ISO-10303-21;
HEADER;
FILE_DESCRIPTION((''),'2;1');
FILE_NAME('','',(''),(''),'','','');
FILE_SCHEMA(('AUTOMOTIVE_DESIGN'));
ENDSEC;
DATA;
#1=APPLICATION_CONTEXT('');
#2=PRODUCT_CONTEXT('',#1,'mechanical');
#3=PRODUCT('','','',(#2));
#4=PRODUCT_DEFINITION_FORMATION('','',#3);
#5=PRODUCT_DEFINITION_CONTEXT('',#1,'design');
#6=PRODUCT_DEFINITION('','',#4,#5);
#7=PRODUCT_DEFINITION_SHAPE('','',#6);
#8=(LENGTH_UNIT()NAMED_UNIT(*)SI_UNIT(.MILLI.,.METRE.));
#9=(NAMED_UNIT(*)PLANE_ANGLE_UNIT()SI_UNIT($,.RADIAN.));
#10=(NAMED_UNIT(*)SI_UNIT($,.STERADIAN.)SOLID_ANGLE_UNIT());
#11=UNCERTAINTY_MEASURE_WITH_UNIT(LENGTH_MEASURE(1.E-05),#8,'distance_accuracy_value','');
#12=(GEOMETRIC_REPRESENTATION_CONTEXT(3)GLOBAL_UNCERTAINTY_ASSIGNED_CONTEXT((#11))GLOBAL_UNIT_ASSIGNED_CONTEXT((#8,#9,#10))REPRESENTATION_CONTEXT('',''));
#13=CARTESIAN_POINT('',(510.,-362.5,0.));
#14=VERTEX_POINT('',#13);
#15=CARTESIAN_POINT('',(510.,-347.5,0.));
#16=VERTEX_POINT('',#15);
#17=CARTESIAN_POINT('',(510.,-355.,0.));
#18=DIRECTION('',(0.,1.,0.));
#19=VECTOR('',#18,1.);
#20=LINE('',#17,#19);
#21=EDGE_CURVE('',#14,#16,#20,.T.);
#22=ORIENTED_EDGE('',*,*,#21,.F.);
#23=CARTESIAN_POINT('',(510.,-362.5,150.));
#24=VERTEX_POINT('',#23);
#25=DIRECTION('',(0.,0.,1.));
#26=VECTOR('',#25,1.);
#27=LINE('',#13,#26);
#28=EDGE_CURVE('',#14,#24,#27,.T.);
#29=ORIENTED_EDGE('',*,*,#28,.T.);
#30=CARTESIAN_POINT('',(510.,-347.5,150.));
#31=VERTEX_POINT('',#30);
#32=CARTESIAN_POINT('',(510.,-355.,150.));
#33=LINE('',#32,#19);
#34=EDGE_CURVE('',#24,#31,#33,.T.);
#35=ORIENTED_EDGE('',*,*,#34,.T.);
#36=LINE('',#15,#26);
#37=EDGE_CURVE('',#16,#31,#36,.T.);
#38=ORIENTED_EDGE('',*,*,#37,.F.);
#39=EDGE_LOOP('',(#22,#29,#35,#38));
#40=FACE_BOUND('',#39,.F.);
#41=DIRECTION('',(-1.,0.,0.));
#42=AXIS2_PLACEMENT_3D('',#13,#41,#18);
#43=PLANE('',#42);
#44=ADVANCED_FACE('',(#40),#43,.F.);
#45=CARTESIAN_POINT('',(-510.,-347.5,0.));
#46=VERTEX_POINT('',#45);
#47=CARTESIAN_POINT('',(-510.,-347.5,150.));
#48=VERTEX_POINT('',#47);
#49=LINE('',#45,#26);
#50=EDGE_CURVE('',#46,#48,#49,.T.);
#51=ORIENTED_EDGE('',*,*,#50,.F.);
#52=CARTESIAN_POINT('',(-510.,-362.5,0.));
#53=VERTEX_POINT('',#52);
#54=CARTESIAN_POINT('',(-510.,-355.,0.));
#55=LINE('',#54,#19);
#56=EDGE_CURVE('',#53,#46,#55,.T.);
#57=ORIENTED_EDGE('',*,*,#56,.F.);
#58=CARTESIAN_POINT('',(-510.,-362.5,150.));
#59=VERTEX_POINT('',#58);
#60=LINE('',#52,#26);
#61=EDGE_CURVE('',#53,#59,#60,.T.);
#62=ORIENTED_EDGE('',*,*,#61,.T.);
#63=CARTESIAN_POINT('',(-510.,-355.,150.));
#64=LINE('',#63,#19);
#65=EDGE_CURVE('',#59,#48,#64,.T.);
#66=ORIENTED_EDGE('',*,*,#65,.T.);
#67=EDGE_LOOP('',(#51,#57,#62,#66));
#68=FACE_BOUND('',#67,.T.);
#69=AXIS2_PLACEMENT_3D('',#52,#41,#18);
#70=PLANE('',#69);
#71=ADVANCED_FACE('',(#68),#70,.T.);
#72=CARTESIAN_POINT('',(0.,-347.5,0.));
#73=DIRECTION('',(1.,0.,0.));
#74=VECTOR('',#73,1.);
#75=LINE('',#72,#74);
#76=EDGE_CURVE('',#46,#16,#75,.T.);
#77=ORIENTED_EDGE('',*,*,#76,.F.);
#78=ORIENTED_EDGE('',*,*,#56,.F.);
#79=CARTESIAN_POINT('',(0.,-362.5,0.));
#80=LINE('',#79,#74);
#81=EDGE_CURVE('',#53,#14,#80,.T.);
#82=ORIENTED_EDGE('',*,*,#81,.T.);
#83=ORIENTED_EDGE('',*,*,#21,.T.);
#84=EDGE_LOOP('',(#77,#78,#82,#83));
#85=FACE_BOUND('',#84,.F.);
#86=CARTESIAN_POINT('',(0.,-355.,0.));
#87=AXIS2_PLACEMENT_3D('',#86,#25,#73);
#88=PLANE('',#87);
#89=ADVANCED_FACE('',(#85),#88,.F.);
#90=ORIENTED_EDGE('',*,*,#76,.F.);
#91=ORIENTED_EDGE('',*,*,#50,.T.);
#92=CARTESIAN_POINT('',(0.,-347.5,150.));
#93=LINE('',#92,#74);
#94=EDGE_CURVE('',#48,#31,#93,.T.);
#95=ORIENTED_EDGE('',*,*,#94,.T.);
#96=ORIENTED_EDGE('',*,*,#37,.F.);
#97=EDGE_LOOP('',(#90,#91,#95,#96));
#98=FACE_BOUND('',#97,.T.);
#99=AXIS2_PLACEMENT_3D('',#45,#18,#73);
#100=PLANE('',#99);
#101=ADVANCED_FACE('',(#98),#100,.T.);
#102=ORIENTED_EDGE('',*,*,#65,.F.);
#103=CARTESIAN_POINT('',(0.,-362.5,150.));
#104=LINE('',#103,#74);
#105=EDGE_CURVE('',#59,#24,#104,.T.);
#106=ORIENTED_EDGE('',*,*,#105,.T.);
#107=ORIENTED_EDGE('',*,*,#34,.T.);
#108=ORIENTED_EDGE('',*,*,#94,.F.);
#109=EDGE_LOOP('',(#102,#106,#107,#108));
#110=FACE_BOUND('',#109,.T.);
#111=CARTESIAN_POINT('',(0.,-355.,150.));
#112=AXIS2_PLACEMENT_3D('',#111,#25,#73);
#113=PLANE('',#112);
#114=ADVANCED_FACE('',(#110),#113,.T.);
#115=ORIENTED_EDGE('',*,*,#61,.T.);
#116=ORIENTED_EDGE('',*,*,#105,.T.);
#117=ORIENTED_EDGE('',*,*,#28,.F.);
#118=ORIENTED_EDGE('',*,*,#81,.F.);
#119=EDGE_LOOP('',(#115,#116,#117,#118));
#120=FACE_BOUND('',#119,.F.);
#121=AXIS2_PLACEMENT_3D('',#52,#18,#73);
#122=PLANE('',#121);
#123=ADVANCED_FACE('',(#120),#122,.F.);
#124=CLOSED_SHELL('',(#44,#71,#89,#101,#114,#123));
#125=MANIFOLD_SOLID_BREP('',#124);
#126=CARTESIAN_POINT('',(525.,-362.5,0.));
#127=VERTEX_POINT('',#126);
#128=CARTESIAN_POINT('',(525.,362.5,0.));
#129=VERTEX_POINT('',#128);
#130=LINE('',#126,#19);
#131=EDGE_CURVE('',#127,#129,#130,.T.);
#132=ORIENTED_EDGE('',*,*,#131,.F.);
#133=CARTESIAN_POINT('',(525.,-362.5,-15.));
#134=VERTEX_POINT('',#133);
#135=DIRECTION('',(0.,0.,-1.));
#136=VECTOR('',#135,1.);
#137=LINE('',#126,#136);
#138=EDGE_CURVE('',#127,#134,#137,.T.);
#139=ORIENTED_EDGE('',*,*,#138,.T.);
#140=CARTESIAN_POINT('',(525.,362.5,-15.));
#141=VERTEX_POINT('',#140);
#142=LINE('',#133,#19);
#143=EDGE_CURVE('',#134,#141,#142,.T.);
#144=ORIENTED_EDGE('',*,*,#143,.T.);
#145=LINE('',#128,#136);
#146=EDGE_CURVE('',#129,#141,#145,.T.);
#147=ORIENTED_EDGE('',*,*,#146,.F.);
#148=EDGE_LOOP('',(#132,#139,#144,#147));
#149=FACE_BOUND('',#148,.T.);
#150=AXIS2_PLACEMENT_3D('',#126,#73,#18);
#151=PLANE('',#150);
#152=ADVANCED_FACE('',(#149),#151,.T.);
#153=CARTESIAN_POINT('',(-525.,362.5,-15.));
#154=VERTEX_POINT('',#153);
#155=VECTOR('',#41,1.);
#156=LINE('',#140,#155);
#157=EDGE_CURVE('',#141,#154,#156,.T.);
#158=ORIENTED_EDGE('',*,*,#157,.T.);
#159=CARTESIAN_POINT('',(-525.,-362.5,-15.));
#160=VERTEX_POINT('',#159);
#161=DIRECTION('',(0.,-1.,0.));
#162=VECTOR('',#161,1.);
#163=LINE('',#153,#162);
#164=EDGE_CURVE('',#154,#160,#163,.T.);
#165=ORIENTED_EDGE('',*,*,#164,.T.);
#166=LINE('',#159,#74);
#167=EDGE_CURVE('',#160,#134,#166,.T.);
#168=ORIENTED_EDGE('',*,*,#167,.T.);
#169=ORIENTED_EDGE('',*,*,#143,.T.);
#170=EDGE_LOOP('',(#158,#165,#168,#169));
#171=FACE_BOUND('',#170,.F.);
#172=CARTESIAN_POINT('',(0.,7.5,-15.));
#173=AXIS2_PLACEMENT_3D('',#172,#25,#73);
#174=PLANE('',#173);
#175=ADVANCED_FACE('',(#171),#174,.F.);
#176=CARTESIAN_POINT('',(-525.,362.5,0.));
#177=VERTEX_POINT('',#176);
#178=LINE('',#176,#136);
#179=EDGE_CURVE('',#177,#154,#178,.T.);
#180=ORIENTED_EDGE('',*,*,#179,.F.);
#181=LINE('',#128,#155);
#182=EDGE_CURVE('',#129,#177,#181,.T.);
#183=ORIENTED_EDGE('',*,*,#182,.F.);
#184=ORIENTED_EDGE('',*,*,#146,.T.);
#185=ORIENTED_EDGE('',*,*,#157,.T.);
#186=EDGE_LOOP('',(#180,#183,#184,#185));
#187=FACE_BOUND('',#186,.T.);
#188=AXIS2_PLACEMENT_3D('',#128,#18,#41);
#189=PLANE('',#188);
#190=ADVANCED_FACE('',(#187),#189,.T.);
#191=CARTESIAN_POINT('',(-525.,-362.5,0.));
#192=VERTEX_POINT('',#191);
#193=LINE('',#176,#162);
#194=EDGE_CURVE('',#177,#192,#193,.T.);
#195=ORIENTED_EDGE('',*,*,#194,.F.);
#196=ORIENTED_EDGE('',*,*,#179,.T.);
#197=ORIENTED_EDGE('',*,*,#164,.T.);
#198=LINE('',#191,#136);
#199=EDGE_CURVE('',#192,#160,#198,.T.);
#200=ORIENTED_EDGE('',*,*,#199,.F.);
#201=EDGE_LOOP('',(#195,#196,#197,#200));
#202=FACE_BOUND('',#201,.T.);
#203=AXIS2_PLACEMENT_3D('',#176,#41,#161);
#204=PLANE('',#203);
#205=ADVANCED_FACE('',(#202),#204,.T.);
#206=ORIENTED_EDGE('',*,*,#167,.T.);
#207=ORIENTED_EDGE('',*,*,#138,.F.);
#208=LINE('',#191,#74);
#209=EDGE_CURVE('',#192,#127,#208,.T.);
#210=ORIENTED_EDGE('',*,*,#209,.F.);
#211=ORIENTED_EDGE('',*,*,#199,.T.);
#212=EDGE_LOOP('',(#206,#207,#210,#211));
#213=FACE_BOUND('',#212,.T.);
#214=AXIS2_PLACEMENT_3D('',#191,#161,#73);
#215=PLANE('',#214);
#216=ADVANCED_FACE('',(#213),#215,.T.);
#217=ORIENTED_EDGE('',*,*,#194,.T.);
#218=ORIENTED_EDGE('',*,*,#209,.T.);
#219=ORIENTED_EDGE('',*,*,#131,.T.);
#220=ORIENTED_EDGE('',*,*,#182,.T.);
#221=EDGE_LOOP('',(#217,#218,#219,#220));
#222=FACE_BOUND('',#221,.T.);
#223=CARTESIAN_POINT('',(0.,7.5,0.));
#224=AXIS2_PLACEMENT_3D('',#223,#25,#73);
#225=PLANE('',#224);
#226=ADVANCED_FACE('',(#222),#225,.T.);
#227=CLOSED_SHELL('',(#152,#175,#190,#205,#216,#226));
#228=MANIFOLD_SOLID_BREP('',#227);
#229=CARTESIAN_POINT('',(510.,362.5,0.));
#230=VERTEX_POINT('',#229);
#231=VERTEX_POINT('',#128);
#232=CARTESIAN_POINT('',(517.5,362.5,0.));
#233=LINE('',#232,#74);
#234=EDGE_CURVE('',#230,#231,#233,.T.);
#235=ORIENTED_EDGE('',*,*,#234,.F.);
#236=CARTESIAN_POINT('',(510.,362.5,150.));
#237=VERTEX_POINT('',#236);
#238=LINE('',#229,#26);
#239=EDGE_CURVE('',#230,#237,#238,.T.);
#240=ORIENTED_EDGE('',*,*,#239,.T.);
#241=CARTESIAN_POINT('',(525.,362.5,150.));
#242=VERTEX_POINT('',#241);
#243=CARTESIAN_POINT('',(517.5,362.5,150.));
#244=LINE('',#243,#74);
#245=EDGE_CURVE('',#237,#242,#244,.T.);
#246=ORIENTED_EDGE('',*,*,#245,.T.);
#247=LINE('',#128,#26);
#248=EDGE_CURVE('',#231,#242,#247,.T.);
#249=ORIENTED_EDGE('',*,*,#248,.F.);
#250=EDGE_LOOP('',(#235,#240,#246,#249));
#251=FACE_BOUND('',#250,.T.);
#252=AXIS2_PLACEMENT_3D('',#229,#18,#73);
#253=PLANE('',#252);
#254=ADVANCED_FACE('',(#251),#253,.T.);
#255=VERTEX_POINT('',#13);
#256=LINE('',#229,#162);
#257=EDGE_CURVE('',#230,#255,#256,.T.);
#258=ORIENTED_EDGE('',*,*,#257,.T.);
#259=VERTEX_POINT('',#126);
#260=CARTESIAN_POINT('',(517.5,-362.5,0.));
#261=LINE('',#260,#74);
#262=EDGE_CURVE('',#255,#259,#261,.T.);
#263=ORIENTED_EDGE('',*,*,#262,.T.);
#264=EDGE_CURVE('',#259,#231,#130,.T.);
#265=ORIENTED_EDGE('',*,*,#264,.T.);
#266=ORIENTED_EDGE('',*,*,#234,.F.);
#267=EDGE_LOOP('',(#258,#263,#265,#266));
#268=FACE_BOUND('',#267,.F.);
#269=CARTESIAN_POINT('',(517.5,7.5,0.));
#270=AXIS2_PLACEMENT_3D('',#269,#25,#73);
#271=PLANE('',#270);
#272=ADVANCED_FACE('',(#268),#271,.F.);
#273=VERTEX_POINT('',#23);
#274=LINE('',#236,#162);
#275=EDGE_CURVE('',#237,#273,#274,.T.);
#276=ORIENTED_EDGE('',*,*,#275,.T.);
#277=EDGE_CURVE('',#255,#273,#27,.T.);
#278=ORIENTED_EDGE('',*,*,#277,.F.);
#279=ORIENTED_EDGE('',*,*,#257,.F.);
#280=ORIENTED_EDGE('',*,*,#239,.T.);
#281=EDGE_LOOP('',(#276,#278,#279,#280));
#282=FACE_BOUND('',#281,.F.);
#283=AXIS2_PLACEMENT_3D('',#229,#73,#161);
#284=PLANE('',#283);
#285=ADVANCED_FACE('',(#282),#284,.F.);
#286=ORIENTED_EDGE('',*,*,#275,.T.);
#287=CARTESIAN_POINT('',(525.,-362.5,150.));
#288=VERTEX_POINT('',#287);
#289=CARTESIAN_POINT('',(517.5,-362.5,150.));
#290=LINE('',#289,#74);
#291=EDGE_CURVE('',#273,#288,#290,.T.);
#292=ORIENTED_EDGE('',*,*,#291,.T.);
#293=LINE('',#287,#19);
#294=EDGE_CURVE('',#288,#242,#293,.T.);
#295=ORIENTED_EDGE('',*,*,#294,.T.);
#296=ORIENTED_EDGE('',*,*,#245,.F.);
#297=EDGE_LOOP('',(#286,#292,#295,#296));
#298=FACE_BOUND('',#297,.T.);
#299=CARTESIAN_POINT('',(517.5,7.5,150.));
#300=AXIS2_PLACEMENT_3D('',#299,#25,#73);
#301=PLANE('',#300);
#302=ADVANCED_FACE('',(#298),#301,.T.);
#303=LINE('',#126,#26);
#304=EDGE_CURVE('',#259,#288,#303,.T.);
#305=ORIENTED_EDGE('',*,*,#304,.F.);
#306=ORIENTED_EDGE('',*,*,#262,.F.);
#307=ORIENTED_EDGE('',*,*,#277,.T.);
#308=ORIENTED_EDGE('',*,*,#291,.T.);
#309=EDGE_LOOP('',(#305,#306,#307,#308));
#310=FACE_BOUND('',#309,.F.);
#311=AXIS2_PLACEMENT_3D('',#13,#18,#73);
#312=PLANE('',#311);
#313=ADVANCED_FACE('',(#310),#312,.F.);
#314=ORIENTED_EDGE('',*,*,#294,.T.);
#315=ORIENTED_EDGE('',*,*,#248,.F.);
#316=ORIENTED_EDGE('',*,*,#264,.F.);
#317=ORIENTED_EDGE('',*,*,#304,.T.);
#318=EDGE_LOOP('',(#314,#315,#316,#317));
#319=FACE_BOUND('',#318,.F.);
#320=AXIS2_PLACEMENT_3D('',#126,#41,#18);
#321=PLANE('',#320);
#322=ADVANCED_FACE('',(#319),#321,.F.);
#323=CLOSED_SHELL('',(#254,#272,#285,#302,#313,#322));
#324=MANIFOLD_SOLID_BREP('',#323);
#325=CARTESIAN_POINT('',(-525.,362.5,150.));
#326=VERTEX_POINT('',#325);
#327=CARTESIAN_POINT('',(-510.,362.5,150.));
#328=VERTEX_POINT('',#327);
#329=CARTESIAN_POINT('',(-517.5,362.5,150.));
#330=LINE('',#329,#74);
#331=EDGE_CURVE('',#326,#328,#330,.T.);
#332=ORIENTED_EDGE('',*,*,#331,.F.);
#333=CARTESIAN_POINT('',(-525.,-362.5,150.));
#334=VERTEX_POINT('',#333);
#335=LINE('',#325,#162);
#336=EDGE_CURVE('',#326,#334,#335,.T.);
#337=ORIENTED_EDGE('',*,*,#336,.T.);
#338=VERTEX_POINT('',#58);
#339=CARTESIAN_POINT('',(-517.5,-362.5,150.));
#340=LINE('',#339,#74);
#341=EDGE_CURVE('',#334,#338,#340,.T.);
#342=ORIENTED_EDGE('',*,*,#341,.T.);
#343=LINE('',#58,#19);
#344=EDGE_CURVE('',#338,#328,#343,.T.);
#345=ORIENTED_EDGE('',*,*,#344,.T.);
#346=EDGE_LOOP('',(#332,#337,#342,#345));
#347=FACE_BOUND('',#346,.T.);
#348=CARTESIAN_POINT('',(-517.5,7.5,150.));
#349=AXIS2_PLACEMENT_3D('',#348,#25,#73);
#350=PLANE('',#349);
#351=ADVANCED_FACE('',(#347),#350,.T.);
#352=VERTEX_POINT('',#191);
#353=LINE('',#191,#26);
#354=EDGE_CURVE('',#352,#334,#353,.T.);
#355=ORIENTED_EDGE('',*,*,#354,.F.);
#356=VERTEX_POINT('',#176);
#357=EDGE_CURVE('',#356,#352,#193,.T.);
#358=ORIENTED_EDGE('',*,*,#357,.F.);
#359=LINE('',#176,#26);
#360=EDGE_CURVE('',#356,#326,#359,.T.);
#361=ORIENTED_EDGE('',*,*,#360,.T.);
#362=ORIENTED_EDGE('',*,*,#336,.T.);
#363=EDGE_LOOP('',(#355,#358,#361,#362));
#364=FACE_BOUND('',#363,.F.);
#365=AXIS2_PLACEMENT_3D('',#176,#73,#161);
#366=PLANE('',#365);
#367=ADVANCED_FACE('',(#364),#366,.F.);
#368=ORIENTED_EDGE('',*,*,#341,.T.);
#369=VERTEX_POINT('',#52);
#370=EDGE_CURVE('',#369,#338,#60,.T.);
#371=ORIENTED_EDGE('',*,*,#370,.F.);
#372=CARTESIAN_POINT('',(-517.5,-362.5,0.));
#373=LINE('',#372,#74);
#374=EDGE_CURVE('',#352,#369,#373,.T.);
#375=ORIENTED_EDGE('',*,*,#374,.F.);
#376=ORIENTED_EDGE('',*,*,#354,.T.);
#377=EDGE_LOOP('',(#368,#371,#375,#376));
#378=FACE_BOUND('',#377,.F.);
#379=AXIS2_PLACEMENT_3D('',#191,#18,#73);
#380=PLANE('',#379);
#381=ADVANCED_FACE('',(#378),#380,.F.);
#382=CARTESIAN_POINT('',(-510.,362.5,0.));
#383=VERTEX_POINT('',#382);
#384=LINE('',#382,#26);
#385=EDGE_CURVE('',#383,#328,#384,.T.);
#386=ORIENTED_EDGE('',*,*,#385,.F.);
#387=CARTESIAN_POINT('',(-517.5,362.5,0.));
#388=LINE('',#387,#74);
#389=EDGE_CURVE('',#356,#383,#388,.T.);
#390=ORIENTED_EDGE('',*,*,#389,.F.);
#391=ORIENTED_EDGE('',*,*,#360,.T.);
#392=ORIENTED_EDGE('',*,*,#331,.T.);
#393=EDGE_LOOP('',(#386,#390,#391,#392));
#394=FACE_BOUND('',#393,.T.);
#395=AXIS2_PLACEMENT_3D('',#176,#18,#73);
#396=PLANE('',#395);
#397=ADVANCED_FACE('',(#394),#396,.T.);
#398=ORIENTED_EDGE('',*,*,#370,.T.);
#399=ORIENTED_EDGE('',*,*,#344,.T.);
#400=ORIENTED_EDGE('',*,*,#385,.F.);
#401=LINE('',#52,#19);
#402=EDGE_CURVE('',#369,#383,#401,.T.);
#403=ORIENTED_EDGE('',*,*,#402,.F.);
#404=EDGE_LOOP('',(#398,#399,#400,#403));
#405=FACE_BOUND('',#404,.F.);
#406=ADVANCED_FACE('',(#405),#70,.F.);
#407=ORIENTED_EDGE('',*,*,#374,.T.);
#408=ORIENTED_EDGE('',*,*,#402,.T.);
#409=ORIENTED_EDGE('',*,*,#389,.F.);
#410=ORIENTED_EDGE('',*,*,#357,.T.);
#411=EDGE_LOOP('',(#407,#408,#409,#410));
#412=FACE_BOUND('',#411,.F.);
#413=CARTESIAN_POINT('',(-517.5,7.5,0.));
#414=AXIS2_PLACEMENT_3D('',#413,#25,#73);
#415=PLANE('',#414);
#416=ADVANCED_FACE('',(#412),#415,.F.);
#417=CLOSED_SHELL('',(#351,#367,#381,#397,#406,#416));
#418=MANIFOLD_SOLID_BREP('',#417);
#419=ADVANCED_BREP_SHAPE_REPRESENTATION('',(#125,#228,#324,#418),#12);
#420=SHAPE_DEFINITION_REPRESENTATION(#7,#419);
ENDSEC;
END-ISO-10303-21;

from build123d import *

# Parameters (mm, degrees)
F0_W     = 15
F0_H     = 710
F0_H_2   = 15
F3_DEPTH = 150
F0_W_2   = 1020
F1_DEPTH = 150
F2_DEPTH = 150
F4_DEPTH = 15


with BuildPart() as f3:
    # F0 (on Top) → F3 (new body)
    with BuildSketch(Plane.XY):
        with Locations((-517.5, 7.5)):
            Rectangle(F0_W, F0_H)
        with Locations((-517.5, -355)):
            Rectangle(F0_W, F0_H_2)
    extrude(amount=F3_DEPTH)


with BuildPart() as f1:
    # F0 (on Top) → F1 (new body)
    with BuildSketch(Plane.XY):
        with Locations((0, -355)):
            Rectangle(F0_W_2, F0_H_2)
    extrude(amount=F1_DEPTH)


with BuildPart() as f2:
    # F0 (on Top) → F2 (new body)
    with BuildSketch(Plane.XY):
        with Locations((517.5, 7.5)):
            Rectangle(F0_W, F0_H)
        with Locations((517.5, -355)):
            Rectangle(F0_W, F0_H_2)
    extrude(amount=F2_DEPTH)


with BuildPart() as f4:
    # F0 (on Top) → F4 (new body)
    with BuildSketch(Plane.XY):
        with Locations((0, 7.5)):
            Rectangle(F0_W_2, F0_H)
        with Locations((-517.5, 7.5)):
            Rectangle(F0_W, F0_H)
        with Locations((0, -355)):
            Rectangle(F0_W_2, F0_H_2)
        with Locations((-517.5, -355)):
            Rectangle(F0_W, F0_H_2)
        with Locations((517.5, 7.5)):
            Rectangle(F0_W, F0_H)
        with Locations((517.5, -355)):
            Rectangle(F0_W, F0_H_2)
    extrude(amount=-F4_DEPTH)


solid = Compound([f3.part, f1.part, f2.part, f4.part])
